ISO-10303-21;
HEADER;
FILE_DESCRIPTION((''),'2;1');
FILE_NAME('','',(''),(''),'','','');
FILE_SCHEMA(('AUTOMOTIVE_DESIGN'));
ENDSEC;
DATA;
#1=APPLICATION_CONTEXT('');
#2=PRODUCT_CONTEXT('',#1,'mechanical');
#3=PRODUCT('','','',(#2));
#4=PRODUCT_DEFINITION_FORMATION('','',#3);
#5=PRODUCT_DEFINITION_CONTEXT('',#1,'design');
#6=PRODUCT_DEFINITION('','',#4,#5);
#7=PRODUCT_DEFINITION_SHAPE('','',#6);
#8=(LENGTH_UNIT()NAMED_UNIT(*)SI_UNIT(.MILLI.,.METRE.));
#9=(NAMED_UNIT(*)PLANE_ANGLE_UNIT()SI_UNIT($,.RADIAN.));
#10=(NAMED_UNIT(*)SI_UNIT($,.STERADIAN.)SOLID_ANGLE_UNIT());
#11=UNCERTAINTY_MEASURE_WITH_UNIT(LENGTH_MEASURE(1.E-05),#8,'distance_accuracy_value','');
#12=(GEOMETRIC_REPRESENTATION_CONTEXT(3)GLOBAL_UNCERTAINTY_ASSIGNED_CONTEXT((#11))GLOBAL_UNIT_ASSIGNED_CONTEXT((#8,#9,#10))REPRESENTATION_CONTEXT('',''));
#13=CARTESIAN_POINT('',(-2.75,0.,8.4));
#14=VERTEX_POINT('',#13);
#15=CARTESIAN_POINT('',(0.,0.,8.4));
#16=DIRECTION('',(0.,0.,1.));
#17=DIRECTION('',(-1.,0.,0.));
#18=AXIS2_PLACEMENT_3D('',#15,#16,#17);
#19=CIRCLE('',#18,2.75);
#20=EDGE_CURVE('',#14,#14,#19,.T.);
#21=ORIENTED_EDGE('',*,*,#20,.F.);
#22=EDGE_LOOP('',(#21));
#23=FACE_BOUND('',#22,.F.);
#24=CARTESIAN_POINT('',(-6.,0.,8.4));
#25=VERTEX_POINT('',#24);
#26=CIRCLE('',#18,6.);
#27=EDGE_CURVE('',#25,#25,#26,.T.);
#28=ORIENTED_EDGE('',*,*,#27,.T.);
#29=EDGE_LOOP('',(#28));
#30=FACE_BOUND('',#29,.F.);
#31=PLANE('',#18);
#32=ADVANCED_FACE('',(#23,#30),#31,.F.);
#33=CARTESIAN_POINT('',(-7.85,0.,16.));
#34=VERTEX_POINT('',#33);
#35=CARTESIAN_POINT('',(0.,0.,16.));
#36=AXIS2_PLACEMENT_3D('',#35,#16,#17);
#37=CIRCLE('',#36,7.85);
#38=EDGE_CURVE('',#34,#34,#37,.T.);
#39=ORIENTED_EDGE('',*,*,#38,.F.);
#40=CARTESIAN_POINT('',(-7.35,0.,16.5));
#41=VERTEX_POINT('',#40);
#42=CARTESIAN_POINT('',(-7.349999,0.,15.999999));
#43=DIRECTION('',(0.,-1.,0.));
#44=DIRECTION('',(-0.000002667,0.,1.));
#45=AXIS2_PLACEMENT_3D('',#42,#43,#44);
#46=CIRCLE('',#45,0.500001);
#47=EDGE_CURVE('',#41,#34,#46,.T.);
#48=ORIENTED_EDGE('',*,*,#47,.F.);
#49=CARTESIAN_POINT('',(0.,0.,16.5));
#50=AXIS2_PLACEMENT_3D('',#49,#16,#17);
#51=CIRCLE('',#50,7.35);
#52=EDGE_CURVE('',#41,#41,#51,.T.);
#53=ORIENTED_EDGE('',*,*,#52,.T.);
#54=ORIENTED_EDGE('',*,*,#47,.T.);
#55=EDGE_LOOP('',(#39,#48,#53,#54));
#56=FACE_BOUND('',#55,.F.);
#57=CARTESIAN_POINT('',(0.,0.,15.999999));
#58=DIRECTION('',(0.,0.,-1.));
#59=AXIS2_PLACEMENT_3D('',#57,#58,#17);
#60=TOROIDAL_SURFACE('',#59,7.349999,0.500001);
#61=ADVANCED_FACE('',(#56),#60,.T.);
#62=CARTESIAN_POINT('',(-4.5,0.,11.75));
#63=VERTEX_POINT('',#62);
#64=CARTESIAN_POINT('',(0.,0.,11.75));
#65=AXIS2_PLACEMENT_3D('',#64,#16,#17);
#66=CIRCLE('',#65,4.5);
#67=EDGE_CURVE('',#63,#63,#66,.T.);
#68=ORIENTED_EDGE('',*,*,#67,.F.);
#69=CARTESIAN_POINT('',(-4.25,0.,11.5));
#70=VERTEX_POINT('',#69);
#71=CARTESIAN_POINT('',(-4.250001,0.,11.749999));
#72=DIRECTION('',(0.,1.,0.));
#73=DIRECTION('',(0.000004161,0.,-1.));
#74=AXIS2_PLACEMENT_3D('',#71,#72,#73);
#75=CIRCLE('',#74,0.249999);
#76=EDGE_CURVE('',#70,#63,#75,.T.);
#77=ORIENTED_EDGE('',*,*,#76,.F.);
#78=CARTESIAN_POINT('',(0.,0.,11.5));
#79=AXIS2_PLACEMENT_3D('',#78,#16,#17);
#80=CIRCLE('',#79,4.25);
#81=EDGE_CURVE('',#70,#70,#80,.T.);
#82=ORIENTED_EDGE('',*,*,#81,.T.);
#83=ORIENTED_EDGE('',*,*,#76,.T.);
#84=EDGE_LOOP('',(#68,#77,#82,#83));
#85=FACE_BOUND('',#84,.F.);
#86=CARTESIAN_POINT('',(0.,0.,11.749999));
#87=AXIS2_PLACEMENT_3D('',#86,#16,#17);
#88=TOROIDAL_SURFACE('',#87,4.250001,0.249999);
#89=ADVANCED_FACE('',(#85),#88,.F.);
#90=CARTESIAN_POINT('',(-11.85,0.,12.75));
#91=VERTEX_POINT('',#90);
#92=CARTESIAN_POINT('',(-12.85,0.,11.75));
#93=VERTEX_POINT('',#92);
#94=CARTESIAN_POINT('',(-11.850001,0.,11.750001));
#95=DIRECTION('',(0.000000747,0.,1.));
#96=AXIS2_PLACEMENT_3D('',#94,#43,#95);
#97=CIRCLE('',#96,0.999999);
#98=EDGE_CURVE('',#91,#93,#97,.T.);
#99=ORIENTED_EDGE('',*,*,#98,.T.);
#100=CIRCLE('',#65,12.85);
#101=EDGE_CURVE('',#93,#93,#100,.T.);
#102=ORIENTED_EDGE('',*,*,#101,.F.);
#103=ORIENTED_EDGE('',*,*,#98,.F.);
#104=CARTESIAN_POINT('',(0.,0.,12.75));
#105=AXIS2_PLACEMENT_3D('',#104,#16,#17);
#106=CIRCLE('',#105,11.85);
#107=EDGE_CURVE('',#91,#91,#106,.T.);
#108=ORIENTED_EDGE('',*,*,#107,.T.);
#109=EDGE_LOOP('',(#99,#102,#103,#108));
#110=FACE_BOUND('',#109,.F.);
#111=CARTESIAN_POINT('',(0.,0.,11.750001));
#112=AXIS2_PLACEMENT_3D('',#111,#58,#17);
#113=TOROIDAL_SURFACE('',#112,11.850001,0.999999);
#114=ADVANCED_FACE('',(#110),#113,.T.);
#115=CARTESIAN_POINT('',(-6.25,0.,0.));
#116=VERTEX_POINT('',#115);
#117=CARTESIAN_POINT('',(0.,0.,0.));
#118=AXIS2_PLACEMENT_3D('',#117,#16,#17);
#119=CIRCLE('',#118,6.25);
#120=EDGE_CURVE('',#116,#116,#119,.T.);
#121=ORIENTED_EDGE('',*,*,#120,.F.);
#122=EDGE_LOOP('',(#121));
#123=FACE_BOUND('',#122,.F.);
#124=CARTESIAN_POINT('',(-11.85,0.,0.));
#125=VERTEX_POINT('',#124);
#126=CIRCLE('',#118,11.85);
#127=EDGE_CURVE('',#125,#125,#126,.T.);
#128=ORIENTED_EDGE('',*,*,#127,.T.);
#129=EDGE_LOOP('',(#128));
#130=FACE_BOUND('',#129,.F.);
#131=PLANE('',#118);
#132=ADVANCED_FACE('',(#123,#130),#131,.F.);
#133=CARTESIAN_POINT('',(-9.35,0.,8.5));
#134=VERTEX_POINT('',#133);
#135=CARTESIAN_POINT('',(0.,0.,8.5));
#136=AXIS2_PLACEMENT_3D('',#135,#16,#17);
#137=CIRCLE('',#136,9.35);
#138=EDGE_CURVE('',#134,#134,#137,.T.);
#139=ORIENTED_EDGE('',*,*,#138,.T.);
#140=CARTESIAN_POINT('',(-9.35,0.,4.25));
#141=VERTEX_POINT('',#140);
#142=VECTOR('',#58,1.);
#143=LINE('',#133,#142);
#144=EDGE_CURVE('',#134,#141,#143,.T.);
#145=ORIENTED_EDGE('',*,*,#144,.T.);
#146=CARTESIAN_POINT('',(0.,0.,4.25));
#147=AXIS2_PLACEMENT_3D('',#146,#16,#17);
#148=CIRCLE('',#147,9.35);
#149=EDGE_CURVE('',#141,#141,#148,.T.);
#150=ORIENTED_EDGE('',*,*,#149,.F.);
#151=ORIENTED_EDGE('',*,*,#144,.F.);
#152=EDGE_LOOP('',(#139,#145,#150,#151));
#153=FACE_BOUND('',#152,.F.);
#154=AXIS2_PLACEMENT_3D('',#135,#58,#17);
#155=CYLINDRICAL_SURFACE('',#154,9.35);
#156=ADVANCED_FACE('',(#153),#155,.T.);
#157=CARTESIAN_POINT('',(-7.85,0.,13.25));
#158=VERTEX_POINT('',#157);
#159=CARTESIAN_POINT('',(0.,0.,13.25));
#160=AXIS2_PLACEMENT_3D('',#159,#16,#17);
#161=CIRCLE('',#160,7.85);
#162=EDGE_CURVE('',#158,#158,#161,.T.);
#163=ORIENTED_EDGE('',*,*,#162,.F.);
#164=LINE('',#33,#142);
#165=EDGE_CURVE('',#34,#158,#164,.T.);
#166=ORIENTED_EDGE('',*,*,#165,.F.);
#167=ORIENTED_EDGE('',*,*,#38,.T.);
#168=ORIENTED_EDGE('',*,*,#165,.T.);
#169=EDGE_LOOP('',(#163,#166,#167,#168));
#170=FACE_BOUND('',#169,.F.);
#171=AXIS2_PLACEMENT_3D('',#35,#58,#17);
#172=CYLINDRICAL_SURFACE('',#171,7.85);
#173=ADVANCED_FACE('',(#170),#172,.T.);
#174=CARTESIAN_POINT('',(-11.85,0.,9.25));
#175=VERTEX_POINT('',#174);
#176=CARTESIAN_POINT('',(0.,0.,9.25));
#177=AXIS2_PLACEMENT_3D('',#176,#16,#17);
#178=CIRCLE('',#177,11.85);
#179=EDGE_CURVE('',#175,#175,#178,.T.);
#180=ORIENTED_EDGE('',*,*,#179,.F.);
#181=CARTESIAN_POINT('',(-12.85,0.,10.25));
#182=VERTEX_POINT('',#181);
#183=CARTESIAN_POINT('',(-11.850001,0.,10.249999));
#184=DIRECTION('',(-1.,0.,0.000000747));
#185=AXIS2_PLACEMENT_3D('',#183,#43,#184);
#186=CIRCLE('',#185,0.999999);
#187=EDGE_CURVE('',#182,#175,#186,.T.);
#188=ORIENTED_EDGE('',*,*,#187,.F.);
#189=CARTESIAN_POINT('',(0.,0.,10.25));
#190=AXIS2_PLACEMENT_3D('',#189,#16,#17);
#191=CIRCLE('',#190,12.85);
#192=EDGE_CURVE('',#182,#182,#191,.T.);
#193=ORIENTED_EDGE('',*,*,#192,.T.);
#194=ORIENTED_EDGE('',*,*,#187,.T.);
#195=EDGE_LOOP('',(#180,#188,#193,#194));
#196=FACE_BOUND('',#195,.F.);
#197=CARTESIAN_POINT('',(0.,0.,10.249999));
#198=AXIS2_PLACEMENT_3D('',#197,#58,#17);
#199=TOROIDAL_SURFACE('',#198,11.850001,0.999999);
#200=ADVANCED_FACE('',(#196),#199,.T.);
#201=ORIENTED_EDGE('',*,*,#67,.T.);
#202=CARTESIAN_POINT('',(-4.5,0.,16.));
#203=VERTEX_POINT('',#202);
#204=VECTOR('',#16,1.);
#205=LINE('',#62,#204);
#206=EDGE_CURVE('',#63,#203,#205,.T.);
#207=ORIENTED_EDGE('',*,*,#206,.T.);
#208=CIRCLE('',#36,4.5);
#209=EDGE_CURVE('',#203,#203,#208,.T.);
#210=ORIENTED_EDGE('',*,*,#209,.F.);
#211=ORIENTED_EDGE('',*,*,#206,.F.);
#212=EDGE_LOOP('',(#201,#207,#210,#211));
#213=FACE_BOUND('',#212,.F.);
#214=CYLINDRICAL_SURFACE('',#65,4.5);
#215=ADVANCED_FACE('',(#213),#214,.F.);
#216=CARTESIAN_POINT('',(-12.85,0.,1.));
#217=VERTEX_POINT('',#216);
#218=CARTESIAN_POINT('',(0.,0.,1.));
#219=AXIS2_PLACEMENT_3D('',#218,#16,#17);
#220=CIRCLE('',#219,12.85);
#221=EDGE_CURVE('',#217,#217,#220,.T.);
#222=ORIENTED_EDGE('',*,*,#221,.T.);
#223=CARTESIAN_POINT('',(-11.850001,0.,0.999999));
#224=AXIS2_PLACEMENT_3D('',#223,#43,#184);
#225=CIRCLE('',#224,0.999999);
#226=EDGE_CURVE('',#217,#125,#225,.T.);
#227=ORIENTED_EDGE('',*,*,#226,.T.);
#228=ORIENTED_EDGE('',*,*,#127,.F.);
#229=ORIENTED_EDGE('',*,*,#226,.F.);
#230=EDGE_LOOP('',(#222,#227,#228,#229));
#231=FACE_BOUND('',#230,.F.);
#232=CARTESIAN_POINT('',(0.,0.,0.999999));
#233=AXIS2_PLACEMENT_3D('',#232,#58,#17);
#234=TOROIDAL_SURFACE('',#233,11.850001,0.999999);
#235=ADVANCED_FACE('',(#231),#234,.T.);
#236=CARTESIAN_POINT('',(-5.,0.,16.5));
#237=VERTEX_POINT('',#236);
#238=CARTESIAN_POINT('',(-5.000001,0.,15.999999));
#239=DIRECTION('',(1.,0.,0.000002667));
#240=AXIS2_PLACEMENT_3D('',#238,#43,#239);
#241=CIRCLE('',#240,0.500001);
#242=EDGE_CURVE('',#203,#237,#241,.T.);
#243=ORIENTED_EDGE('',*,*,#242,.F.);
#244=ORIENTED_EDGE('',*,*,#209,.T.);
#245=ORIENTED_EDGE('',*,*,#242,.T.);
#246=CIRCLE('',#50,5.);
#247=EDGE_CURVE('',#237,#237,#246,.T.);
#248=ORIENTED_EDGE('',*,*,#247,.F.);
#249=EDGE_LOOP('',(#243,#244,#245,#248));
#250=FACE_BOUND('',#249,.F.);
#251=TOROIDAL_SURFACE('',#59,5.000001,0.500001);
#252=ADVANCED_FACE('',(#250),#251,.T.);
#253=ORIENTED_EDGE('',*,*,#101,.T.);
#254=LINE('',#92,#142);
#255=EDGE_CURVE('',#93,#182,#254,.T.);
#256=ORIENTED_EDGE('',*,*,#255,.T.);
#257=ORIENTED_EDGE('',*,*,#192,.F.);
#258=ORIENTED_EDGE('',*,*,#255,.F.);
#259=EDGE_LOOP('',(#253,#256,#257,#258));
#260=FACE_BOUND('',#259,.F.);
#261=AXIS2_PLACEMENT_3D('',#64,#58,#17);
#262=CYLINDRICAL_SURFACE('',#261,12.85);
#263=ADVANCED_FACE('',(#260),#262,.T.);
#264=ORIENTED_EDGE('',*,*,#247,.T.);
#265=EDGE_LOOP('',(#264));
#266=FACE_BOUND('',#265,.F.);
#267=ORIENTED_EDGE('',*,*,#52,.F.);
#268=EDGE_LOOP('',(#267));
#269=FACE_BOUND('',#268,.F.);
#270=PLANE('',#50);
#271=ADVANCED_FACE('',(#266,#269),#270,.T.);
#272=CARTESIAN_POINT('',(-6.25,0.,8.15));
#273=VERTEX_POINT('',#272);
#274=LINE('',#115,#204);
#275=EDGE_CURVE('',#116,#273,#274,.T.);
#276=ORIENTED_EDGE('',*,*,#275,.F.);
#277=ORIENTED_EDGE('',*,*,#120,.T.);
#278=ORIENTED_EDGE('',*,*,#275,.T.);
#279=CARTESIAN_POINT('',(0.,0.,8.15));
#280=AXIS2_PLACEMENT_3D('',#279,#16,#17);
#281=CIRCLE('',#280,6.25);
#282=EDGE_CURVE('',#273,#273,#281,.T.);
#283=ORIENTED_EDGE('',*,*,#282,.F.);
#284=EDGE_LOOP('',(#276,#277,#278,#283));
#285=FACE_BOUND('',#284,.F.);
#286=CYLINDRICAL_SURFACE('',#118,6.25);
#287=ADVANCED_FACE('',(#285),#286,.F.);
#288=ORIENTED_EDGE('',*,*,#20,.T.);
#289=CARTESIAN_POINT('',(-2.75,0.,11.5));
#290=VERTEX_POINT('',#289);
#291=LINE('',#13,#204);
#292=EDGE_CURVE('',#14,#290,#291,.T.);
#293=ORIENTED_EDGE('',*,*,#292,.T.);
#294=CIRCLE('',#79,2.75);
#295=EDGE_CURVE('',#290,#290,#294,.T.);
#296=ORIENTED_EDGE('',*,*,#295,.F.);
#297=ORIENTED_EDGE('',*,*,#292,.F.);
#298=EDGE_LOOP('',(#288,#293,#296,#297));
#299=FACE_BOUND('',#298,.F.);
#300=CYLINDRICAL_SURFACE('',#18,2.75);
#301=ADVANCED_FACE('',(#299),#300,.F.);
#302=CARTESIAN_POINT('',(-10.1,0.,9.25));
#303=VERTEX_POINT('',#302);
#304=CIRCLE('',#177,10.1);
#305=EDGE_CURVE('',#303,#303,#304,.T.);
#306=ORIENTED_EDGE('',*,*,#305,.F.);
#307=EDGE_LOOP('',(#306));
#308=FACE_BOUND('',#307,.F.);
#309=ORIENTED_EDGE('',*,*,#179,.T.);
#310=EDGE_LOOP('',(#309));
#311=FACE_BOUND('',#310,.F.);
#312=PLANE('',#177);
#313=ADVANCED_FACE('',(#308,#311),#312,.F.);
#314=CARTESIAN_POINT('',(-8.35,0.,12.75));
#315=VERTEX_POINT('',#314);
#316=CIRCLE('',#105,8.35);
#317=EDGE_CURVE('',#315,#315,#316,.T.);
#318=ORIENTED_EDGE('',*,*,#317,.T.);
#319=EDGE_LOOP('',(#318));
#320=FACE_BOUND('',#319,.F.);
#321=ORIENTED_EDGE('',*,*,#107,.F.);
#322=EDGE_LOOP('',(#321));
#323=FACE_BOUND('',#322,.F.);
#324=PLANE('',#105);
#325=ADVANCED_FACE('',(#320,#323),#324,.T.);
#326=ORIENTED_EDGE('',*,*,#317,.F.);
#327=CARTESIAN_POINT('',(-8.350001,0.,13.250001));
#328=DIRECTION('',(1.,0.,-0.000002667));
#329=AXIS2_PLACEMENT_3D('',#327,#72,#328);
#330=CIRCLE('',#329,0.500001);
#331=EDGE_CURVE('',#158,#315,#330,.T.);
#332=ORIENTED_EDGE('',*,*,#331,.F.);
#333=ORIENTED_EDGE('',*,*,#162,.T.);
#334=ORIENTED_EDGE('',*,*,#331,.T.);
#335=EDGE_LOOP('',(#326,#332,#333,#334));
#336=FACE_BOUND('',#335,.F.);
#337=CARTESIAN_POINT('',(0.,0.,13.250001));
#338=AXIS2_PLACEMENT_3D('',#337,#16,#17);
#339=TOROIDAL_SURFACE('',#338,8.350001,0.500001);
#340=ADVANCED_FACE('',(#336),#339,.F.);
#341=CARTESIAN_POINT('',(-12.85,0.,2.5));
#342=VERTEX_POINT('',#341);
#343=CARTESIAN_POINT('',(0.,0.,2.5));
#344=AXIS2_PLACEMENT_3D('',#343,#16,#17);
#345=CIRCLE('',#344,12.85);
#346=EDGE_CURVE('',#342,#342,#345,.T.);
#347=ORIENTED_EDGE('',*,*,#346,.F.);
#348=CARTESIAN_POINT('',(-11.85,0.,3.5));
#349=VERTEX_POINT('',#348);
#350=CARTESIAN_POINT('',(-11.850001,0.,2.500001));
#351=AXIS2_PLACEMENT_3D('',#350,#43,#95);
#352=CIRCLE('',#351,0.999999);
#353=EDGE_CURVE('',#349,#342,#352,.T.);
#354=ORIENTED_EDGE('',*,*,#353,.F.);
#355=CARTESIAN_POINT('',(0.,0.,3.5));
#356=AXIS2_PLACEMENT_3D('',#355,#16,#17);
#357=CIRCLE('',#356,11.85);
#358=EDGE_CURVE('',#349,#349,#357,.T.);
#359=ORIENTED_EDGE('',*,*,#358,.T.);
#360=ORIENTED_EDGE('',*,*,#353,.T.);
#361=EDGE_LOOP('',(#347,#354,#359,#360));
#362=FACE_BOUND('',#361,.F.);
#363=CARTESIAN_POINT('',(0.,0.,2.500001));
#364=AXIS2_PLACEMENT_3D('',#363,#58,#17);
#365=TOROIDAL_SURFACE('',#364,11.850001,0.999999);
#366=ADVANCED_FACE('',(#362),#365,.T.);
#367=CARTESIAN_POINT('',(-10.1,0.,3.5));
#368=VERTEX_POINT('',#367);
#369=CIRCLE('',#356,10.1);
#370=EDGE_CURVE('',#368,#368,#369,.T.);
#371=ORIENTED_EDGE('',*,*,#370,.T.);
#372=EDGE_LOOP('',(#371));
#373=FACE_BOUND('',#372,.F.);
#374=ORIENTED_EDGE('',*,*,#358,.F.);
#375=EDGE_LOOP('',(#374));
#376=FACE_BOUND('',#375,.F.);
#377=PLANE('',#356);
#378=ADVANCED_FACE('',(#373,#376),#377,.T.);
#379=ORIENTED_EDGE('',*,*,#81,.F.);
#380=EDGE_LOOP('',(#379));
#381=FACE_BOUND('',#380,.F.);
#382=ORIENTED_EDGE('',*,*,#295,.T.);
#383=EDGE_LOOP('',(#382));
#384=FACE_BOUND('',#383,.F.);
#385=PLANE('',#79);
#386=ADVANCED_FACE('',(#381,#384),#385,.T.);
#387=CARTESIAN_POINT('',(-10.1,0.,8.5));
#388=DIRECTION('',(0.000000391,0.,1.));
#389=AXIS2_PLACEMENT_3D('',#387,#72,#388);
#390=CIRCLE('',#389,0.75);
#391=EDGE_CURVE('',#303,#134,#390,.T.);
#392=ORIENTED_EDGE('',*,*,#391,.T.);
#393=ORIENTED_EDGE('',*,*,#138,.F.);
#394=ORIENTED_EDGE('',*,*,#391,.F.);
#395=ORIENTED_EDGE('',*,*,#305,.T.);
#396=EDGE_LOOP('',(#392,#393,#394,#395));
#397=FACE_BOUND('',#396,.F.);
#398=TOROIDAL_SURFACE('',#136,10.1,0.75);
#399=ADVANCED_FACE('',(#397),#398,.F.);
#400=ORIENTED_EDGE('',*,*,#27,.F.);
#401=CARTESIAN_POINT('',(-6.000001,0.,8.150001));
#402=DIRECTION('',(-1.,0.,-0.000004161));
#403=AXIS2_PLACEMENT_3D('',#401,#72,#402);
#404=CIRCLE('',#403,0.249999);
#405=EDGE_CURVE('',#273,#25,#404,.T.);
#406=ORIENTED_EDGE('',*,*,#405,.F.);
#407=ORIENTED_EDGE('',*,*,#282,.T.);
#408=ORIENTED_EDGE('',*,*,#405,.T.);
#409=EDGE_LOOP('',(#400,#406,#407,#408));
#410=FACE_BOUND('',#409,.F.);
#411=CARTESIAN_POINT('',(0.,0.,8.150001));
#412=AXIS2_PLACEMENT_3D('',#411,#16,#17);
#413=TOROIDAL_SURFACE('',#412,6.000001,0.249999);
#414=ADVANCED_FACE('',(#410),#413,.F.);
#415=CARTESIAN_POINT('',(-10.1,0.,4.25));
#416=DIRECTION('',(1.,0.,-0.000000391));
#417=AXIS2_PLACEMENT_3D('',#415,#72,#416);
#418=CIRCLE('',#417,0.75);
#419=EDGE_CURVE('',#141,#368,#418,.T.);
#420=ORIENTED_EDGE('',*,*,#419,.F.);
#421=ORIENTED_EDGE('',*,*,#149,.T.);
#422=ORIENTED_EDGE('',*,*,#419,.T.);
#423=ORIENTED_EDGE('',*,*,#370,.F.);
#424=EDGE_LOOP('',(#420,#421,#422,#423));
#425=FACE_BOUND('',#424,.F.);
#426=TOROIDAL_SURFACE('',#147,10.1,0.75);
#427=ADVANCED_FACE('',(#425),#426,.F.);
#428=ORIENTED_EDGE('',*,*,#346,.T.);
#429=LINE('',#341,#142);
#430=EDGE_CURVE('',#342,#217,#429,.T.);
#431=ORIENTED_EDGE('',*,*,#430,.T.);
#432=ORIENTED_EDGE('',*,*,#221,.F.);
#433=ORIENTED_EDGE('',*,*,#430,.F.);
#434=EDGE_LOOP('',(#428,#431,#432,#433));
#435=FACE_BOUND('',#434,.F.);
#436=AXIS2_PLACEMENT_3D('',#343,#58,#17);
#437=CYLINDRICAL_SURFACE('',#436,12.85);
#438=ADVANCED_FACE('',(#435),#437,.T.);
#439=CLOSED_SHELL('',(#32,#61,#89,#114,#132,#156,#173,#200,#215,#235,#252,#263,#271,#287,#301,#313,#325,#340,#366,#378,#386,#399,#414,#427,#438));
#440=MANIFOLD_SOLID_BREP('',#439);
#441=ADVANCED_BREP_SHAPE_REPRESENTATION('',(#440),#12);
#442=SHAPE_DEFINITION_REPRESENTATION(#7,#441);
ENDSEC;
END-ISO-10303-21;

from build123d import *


with BuildPart() as f1:
    # F0 (on Front) → F1 (revolve)
    with BuildSketch(Plane.XZ):
        with BuildLine():
            Line((-11.85, 0), (-6.25, 0))
            Line((-6.25, 0), (-6.25, 8.15))
            ThreePointArc((-6.25, 8.15), (-6.176777, 8.326777), (-6, 8.4))
            Line((-6, 8.4), (-2.75, 8.4))
            Line((-2.75, 8.4), (-2.75, 11.5))
            Line((-2.75, 11.5), (-4.25, 11.5))
            ThreePointArc((-4.25, 11.5), (-4.426777, 11.573223), (-4.5, 11.75))
            Line((-4.5, 11.75), (-4.5, 16))
            ThreePointArc((-4.5, 16), (-4.646447, 16.353553), (-5, 16.5))
            Line((-5, 16.5), (-7.35, 16.5))
            ThreePointArc((-7.35, 16.5), (-7.703553, 16.353553), (-7.85, 16))
            Line((-7.85, 16), (-7.85, 13.25))
            ThreePointArc((-7.85, 13.25), (-7.996447, 12.896447), (-8.35, 12.75))
            Line((-8.35, 12.75), (-11.85, 12.75))
            ThreePointArc((-11.85, 12.75), (-12.557107, 12.457107), (-12.85, 11.75))
            Line((-12.85, 11.75), (-12.85, 10.25))
            ThreePointArc((-12.85, 10.25), (-12.557107, 9.542893), (-11.85, 9.25))
            Line((-11.85, 9.25), (-10.1, 9.25))
            ThreePointArc((-10.1, 9.25), (-9.56967, 9.03033), (-9.35, 8.5))
            Line((-9.35, 8.5), (-9.35, 4.25))
            ThreePointArc((-9.35, 4.25), (-9.56967, 3.71967), (-10.1, 3.5))
            Line((-10.1, 3.5), (-11.85, 3.5))
            ThreePointArc((-11.85, 3.5), (-12.557107, 3.207107), (-12.85, 2.5))
            Line((-12.85, 2.5), (-12.85, 1))
            ThreePointArc((-12.85, 1), (-12.557107, 0.292893), (-11.85, 0))
        make_face()
    revolve(axis=Axis((0, 0, 2.5), (0, 0, 1)))


solid = f1.part
